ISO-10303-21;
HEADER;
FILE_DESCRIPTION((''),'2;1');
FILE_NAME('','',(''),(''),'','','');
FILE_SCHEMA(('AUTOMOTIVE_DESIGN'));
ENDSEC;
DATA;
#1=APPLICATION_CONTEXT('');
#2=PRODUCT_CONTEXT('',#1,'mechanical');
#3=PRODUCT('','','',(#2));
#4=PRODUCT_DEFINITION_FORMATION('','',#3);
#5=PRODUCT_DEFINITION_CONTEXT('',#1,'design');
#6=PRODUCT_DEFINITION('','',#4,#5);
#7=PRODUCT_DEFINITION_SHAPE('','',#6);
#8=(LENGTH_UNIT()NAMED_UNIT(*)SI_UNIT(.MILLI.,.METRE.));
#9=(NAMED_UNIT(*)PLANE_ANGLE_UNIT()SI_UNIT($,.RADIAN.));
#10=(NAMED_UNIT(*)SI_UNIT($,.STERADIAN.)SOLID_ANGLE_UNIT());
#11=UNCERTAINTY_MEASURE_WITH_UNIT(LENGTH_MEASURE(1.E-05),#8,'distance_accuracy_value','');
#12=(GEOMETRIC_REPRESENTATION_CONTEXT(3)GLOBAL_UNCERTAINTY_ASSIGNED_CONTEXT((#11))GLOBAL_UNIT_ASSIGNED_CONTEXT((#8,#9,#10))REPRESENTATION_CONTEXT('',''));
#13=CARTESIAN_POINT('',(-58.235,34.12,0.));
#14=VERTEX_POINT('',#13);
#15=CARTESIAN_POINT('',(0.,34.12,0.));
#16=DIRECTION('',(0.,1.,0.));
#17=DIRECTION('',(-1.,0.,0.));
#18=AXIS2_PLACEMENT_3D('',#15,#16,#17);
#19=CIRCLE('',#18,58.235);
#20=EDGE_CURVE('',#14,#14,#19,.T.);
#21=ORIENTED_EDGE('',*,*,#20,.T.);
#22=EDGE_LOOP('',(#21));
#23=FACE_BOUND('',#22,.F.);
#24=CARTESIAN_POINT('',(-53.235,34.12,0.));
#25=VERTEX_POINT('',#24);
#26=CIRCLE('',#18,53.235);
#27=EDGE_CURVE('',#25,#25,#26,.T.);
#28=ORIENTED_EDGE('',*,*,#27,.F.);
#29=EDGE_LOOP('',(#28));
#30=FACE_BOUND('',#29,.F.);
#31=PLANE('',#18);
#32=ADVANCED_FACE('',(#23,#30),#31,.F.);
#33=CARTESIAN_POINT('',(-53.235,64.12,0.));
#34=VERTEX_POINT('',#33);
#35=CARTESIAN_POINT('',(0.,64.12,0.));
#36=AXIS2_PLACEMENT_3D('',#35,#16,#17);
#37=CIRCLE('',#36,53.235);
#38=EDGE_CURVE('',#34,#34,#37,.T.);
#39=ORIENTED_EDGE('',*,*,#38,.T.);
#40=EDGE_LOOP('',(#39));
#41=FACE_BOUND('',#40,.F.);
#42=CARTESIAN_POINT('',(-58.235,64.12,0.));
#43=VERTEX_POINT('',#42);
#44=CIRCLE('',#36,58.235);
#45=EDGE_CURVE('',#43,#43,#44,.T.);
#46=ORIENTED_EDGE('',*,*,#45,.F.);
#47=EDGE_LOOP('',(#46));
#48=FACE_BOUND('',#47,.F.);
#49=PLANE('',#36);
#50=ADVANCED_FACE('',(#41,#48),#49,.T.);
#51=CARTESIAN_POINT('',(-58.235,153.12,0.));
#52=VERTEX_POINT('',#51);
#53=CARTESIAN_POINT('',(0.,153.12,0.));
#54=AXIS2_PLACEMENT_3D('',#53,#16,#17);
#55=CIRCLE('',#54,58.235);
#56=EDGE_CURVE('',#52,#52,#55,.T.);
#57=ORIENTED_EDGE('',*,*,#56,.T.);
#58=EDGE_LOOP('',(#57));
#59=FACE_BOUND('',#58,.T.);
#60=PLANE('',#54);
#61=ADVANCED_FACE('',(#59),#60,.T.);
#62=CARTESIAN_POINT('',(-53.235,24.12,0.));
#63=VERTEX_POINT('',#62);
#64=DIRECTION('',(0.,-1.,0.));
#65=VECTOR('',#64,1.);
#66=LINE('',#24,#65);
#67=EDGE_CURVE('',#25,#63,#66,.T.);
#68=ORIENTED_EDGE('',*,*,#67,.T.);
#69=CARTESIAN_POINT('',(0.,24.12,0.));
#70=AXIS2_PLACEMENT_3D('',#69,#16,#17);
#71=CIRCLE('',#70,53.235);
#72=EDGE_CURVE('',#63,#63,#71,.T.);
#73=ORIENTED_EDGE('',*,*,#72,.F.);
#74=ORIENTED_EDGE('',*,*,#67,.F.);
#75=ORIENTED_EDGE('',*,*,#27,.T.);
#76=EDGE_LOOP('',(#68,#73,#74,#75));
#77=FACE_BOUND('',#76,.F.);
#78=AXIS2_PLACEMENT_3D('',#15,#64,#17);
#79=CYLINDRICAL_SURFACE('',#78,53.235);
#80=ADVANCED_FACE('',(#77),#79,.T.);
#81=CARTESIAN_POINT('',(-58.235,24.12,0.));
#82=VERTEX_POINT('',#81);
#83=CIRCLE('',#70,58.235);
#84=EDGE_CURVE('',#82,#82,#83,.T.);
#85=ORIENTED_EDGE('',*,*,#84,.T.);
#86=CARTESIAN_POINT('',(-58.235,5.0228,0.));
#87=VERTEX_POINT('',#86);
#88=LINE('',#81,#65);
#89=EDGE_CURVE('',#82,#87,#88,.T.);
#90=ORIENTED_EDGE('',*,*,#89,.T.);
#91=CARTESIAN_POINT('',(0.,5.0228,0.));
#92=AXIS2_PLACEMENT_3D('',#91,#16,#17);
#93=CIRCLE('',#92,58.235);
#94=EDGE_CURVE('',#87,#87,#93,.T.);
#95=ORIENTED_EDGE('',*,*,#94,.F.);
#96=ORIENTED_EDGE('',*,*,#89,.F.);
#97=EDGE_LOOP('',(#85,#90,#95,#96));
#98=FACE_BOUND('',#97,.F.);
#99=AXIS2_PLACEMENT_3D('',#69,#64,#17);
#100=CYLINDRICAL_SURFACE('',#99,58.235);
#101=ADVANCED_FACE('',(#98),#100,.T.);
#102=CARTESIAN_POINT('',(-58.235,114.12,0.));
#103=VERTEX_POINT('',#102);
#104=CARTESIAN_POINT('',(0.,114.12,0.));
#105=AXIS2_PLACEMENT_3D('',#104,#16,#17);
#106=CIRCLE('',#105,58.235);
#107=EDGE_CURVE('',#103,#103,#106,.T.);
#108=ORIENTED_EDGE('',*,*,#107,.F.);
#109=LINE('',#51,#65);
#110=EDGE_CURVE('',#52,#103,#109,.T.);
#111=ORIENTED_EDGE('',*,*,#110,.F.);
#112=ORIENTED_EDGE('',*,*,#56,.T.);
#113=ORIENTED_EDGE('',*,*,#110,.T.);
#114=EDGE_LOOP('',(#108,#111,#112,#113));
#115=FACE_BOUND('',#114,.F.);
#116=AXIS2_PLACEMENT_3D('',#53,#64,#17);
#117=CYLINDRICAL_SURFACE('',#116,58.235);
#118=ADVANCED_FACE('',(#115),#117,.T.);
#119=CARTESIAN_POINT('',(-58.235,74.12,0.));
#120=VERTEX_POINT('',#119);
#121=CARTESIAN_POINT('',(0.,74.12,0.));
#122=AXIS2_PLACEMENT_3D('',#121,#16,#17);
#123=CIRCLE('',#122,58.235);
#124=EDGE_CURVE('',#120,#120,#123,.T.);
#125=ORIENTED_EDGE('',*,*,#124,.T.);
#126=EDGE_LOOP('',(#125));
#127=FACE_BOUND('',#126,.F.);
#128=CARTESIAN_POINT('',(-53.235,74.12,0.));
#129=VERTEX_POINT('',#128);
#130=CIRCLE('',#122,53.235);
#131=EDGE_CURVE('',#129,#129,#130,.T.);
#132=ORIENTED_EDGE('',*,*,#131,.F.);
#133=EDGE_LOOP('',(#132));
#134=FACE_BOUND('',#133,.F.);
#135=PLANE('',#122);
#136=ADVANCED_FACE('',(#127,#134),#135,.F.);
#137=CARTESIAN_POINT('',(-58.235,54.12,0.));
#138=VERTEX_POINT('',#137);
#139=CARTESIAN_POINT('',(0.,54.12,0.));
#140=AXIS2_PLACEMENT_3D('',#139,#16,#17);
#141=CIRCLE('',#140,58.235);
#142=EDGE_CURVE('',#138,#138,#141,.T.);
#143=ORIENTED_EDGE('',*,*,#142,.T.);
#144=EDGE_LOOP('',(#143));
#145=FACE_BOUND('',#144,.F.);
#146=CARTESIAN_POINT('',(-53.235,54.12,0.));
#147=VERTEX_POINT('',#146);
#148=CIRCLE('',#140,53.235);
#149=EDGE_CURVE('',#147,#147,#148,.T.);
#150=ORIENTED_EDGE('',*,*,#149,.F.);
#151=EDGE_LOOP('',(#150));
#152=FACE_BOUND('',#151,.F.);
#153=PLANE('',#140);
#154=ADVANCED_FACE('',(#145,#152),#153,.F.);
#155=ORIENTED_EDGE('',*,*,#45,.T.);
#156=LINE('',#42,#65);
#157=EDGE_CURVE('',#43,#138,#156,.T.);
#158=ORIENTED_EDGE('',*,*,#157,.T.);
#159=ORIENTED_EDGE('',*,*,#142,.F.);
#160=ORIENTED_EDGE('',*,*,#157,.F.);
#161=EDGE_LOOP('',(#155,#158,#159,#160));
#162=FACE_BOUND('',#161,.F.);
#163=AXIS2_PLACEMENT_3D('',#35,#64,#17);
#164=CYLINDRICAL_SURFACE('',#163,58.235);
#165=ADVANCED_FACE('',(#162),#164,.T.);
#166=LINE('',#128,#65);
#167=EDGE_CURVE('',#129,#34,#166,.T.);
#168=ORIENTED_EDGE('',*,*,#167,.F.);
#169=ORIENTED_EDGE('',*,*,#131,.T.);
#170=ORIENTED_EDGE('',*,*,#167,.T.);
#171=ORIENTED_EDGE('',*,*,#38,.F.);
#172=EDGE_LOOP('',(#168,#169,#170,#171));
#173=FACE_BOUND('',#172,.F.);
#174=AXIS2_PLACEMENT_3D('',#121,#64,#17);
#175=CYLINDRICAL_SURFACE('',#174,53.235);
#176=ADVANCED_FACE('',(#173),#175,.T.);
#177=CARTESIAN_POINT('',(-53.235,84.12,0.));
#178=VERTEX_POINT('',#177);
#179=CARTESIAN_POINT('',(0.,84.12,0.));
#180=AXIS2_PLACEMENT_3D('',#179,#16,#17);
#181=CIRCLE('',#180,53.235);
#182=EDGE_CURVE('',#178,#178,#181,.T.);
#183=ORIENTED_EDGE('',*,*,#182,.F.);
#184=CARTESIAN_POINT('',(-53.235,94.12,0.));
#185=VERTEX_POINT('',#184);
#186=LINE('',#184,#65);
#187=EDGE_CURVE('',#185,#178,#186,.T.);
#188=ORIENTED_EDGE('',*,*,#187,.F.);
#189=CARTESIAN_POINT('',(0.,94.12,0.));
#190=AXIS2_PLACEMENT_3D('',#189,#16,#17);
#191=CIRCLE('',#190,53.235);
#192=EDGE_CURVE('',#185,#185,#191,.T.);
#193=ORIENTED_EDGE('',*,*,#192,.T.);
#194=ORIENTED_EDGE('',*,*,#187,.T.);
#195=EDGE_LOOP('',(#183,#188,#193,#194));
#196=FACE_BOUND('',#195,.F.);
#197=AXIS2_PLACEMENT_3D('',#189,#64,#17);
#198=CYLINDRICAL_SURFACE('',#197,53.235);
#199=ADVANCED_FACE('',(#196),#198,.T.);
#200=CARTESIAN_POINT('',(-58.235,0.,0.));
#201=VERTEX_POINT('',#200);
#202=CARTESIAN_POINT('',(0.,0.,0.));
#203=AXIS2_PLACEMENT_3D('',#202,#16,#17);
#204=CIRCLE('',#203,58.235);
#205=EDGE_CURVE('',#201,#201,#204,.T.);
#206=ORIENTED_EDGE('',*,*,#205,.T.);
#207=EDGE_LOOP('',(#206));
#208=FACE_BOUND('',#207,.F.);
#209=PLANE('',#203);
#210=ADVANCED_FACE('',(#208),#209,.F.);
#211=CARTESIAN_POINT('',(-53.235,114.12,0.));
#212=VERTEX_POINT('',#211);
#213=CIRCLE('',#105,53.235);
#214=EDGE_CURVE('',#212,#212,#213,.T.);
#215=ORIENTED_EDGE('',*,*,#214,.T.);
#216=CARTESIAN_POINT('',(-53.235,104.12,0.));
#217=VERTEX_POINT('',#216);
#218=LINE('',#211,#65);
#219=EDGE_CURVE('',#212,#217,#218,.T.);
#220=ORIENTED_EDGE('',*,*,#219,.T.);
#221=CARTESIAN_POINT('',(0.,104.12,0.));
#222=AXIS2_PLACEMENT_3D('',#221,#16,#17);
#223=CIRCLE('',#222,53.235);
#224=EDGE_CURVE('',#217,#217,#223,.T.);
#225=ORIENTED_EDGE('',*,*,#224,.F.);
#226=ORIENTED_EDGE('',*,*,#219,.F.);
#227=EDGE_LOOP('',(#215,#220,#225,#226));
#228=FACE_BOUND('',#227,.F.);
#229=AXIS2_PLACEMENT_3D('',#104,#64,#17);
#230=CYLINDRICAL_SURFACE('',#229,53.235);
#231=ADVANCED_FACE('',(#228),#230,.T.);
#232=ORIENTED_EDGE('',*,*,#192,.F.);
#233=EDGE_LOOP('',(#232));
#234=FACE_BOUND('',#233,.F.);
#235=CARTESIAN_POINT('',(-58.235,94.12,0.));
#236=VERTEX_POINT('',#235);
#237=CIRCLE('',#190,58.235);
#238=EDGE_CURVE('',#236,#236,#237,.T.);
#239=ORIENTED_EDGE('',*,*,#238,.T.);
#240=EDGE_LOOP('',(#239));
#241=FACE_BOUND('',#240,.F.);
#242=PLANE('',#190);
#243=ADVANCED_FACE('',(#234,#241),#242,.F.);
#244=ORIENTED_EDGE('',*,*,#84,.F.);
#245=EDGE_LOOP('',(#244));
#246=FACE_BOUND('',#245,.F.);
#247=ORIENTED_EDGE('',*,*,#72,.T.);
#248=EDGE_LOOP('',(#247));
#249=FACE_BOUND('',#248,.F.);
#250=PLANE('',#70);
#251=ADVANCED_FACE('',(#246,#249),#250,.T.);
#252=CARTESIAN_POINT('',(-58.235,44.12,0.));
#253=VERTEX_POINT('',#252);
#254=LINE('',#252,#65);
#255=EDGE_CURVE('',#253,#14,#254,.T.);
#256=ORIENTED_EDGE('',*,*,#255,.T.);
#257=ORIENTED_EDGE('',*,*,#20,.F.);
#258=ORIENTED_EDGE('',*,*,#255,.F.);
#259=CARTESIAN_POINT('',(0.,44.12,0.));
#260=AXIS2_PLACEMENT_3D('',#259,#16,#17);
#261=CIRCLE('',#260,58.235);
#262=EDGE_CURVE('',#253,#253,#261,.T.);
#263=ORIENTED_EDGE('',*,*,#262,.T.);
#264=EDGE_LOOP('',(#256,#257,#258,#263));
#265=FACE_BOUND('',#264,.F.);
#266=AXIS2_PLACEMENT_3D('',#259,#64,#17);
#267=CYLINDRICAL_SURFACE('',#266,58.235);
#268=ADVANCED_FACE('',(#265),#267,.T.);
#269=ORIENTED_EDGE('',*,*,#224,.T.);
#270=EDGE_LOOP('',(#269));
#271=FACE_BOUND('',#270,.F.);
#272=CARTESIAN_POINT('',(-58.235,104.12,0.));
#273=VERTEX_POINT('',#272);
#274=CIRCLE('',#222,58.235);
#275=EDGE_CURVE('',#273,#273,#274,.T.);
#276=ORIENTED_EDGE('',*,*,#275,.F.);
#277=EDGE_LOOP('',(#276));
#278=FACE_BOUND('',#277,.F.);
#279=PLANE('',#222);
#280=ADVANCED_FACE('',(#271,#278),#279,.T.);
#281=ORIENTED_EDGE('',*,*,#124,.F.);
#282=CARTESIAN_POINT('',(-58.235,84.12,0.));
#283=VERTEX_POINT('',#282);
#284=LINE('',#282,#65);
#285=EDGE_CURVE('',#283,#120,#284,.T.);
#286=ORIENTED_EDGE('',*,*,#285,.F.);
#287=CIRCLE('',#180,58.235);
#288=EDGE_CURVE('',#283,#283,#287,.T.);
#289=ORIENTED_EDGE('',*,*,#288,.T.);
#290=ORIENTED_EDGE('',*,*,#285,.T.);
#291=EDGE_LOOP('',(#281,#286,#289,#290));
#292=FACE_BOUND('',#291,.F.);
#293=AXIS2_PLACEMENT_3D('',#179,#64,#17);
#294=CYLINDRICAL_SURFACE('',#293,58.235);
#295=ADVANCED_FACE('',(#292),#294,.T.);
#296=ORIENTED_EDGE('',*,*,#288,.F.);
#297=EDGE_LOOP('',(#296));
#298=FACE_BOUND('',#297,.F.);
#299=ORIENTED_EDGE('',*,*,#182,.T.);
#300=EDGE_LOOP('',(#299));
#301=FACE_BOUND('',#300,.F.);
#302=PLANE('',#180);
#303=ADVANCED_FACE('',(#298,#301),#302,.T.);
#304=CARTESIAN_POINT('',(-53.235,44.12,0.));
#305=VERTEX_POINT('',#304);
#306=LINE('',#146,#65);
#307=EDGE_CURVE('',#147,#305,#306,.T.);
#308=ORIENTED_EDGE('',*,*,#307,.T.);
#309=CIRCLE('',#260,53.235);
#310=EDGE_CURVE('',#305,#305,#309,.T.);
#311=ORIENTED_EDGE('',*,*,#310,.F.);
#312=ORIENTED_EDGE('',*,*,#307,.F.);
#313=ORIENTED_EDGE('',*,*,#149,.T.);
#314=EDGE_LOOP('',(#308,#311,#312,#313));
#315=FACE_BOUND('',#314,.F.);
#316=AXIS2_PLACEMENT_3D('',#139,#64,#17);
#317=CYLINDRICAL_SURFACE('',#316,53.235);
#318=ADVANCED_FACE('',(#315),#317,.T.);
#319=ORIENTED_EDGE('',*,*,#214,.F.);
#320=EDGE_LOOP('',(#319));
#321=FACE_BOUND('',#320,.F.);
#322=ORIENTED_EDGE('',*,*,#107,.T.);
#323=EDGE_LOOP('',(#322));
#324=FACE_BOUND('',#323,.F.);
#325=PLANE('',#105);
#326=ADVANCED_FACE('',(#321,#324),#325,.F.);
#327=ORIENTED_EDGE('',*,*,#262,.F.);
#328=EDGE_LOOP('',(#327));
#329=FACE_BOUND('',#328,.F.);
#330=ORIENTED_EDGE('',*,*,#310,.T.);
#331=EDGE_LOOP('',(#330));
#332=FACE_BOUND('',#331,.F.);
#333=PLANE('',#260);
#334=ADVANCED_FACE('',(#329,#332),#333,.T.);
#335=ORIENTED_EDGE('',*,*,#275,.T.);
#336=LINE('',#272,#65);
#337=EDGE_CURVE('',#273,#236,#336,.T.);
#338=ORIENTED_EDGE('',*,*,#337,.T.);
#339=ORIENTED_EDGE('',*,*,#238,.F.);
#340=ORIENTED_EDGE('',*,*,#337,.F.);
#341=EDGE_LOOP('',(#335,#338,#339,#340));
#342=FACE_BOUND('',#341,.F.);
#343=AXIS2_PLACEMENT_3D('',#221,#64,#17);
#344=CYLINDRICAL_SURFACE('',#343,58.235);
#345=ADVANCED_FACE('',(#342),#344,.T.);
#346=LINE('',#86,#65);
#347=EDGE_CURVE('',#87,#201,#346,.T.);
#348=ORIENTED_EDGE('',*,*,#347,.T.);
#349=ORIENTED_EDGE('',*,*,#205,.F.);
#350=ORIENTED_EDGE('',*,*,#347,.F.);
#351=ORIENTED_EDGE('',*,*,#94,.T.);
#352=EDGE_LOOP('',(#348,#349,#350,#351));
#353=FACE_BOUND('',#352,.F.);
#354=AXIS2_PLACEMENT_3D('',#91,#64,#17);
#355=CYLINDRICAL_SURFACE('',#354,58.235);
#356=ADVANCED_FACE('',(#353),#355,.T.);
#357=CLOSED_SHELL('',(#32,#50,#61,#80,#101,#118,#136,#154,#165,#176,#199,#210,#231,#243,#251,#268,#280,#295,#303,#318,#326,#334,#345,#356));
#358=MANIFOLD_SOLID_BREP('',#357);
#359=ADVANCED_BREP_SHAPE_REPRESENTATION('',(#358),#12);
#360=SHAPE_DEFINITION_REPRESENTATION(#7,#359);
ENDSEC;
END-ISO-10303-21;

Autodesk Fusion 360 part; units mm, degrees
sketch "Sketch1" plane through (0, 0, 0) normal (0, 0, 1) x (1, 0, 0)
sketch "Sketch2" plane through (0, 0, 0) normal (0, 0, 1) x (1, 0, 0)
sketch "Sketch3" plane through (0, 0, 0) normal (0, 0, 1) x (1, 0, 0)
  line L0 (0, 0) -> (0, 153.12)
  line L1 (-58.235, 153.12) -> (-58.235, 114.12)
  line L2 (-58.235, 114.12) -> (-53.235, 114.12)
  line L3 (-53.235, 114.12) -> (-53.235, 104.12)
  line L4 (-53.235, 104.12) -> (-58.235, 104.12)
  line L5 (-58.235, 104.12) -> (-58.235, 94.12)
  line L6 (-58.235, 94.12) -> (-53.235, 94.12)
  line L7 (-53.235, 94.12) -> (-53.235, 84.12)
  line L8 (-53.235, 84.12) -> (-58.235, 84.12)
  line L9 (-58.235, 84.12) -> (-58.235, 74.12)
  line L10 (-58.235, 74.12) -> (-53.235, 74.12)
  line L11 (-53.235, 74.12) -> (-53.235, 64.12)
  line L12 (-53.235, 64.12) -> (-58.235, 64.12)
  line L13 (-58.235, 64.12) -> (-58.235, 54.12)
  line L14 (-58.235, 54.12) -> (-53.235, 54.12)
  line L15 (-53.235, 54.12) -> (-53.235, 44.12)
  line L16 (-53.235, 44.12) -> (-58.235, 44.12)
  line L17 (-58.235, 44.12) -> (-58.235, 34.12)
  line L18 (-58.235, 34.12) -> (-53.235, 34.12)
  line L19 (-53.235, 34.12) -> (-53.235, 24.12)
  line L20 (-53.235, 24.12) -> (-58.235, 24.12)
  line L21 (-58.235, 24.12) -> (-58.235, 5.0228)
  line L22 (-58.235, 5.0228) -> (-58.235, 0)
  line L23 (-58.235, 153.12) -> (0, 153.12)
  line L24 (-58.235, 0) -> (0, 0)
  dimension "d4" = 153.12
  dimension "d5" = 58.235
  dimension "d6" = 39
  dimension "d7" = 5
  dimension "d8" = 10
  dimension "d9" = 5
  dimension "d10" = 10
  dimension "d11" = 5
  dimension "d12" = 10
  dimension "d13" = 5
  dimension "d14" = 10
  dimension "d15" = 5
  dimension "d16" = 10
  dimension "d17" = 5
  dimension "d18" = 10
  dimension "d19" = 5
  dimension "d20" = 10
  dimension "d21" = 5
  dimension "d22" = 10
  dimension "d23" = 5
  dimension "d24" = 10
  dimension "d25" = 5
revolve "Revolve1" add sketch "Sketch3" angle 360 about axis through (0, 0, 0) along (0, 1, 0)
